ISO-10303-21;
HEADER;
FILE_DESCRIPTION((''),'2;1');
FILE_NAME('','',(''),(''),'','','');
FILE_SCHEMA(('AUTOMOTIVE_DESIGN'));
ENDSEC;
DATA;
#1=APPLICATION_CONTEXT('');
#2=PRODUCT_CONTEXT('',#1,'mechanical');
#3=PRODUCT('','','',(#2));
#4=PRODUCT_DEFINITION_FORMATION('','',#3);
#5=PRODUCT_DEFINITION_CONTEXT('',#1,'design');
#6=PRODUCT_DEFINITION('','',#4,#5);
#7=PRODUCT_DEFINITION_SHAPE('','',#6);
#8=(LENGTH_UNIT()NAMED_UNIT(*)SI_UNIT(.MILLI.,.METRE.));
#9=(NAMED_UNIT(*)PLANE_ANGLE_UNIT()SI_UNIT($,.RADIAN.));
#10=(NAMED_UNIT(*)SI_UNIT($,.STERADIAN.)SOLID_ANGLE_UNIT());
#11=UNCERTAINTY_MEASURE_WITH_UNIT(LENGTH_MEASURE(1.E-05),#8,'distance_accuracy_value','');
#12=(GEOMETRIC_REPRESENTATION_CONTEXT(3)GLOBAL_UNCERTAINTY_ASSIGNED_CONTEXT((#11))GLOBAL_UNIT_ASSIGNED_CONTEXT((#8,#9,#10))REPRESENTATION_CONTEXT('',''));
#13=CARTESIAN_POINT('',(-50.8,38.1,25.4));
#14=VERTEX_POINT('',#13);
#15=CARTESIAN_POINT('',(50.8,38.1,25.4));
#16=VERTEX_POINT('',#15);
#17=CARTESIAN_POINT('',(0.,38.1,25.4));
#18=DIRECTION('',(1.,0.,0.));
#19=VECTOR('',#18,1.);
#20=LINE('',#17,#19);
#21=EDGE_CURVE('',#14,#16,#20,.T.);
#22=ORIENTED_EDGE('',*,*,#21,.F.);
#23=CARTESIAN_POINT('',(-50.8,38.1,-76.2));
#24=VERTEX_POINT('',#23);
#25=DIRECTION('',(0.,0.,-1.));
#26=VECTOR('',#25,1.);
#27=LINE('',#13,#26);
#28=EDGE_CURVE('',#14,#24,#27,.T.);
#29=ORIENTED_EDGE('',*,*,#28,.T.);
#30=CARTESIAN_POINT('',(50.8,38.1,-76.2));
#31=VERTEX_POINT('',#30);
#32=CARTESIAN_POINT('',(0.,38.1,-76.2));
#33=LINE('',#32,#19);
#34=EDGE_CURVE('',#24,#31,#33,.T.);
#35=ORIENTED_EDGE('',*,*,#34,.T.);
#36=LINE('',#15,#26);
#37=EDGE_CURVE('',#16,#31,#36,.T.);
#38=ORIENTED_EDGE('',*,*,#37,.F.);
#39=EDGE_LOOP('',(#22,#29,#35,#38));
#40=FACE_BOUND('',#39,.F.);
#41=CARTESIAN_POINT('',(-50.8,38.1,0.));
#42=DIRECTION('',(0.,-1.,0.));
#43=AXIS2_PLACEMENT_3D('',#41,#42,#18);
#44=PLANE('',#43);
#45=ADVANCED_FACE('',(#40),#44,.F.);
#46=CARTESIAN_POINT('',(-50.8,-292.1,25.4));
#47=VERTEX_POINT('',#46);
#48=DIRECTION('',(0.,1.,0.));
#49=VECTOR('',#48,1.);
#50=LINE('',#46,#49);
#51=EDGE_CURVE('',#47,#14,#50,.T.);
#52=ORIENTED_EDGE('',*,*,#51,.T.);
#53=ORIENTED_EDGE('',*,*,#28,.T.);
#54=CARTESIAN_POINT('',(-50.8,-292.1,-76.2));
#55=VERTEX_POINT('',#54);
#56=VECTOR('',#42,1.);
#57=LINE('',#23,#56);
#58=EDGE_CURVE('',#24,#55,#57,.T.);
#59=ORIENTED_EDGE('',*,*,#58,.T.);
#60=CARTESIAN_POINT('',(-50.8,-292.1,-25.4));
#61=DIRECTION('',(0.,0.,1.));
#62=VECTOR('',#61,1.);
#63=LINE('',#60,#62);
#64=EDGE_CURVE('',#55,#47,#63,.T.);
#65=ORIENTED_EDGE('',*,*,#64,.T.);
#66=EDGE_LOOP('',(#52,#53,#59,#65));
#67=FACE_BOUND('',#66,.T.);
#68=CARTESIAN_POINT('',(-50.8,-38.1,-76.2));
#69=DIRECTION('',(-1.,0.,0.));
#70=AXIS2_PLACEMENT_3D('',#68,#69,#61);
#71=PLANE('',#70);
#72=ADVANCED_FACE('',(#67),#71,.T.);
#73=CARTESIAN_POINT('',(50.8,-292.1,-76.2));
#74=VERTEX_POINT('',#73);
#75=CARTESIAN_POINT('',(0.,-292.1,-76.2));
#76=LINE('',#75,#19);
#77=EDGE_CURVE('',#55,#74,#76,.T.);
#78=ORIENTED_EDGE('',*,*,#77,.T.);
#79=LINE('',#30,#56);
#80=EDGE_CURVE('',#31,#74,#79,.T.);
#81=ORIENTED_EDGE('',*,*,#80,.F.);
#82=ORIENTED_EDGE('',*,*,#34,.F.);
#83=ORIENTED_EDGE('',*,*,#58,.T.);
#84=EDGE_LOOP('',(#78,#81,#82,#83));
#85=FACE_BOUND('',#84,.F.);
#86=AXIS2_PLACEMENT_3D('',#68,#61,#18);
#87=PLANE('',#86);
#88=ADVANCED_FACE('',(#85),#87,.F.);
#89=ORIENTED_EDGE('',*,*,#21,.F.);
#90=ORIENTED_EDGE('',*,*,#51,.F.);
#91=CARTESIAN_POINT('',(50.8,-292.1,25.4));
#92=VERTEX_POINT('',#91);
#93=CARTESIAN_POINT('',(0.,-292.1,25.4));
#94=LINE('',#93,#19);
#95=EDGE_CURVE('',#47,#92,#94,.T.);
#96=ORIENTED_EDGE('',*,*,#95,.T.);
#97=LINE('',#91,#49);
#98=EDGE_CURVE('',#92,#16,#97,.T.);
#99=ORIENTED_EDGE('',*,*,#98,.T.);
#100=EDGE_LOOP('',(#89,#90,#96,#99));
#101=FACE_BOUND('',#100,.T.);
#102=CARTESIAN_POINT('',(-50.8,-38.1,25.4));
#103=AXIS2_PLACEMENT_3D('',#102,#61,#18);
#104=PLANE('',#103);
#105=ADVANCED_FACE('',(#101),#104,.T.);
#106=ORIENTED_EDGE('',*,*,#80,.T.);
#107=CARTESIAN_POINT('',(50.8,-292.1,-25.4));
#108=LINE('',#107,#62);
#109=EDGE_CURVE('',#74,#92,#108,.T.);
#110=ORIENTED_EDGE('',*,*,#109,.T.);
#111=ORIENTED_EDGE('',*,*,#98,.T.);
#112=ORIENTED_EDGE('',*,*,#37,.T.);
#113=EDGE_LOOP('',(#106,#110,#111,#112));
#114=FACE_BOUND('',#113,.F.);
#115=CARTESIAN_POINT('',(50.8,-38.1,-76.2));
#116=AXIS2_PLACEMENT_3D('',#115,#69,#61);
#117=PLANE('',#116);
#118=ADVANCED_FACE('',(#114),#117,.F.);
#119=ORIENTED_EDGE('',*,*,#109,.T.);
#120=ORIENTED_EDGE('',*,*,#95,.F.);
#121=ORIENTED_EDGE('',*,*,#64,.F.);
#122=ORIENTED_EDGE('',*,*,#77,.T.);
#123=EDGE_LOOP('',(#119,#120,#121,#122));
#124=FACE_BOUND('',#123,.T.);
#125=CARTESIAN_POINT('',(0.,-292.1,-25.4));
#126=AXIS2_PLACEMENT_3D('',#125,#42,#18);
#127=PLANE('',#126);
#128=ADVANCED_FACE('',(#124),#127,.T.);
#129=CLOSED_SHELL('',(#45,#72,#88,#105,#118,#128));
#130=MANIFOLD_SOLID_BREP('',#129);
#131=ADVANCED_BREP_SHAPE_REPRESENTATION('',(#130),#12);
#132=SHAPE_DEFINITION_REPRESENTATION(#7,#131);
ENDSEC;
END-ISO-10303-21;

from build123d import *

# Parameters (mm, degrees)
F0_W      = 101.6
F0_H      = 76.2
F1_DEPTH  = 25.4
F1_FACE_W = 101.6
F1_FACE_H = 76.2
F2_DEPTH  = 76.2
F2_FACE_W = 101.6
F2_FACE_H = 101.6
F3_DEPTH  = 254


with BuildPart() as f1:
    # F0 (on Top) → F1 (new body)
    with BuildSketch(Plane.XY):
        Rectangle(F0_W, F0_H)
    extrude(amount=F1_DEPTH)

    # F1_face (on face) → F2 (join)
    with BuildSketch(Plane(origin=(0, 0, 0), x_dir=(1, 0, 0), z_dir=(0, 0, -1))):
        Rectangle(F1_FACE_W, F1_FACE_H)
    extrude(amount=F2_DEPTH)

    # F2_face (on face) → F3 (join)
    with BuildSketch(Plane(origin=(0, -38.1, -25.4), x_dir=(1, 0, 0), z_dir=(0, -1, 0))):
        Rectangle(F2_FACE_W, F2_FACE_H)
    extrude(amount=F3_DEPTH)


solid = f1.part
